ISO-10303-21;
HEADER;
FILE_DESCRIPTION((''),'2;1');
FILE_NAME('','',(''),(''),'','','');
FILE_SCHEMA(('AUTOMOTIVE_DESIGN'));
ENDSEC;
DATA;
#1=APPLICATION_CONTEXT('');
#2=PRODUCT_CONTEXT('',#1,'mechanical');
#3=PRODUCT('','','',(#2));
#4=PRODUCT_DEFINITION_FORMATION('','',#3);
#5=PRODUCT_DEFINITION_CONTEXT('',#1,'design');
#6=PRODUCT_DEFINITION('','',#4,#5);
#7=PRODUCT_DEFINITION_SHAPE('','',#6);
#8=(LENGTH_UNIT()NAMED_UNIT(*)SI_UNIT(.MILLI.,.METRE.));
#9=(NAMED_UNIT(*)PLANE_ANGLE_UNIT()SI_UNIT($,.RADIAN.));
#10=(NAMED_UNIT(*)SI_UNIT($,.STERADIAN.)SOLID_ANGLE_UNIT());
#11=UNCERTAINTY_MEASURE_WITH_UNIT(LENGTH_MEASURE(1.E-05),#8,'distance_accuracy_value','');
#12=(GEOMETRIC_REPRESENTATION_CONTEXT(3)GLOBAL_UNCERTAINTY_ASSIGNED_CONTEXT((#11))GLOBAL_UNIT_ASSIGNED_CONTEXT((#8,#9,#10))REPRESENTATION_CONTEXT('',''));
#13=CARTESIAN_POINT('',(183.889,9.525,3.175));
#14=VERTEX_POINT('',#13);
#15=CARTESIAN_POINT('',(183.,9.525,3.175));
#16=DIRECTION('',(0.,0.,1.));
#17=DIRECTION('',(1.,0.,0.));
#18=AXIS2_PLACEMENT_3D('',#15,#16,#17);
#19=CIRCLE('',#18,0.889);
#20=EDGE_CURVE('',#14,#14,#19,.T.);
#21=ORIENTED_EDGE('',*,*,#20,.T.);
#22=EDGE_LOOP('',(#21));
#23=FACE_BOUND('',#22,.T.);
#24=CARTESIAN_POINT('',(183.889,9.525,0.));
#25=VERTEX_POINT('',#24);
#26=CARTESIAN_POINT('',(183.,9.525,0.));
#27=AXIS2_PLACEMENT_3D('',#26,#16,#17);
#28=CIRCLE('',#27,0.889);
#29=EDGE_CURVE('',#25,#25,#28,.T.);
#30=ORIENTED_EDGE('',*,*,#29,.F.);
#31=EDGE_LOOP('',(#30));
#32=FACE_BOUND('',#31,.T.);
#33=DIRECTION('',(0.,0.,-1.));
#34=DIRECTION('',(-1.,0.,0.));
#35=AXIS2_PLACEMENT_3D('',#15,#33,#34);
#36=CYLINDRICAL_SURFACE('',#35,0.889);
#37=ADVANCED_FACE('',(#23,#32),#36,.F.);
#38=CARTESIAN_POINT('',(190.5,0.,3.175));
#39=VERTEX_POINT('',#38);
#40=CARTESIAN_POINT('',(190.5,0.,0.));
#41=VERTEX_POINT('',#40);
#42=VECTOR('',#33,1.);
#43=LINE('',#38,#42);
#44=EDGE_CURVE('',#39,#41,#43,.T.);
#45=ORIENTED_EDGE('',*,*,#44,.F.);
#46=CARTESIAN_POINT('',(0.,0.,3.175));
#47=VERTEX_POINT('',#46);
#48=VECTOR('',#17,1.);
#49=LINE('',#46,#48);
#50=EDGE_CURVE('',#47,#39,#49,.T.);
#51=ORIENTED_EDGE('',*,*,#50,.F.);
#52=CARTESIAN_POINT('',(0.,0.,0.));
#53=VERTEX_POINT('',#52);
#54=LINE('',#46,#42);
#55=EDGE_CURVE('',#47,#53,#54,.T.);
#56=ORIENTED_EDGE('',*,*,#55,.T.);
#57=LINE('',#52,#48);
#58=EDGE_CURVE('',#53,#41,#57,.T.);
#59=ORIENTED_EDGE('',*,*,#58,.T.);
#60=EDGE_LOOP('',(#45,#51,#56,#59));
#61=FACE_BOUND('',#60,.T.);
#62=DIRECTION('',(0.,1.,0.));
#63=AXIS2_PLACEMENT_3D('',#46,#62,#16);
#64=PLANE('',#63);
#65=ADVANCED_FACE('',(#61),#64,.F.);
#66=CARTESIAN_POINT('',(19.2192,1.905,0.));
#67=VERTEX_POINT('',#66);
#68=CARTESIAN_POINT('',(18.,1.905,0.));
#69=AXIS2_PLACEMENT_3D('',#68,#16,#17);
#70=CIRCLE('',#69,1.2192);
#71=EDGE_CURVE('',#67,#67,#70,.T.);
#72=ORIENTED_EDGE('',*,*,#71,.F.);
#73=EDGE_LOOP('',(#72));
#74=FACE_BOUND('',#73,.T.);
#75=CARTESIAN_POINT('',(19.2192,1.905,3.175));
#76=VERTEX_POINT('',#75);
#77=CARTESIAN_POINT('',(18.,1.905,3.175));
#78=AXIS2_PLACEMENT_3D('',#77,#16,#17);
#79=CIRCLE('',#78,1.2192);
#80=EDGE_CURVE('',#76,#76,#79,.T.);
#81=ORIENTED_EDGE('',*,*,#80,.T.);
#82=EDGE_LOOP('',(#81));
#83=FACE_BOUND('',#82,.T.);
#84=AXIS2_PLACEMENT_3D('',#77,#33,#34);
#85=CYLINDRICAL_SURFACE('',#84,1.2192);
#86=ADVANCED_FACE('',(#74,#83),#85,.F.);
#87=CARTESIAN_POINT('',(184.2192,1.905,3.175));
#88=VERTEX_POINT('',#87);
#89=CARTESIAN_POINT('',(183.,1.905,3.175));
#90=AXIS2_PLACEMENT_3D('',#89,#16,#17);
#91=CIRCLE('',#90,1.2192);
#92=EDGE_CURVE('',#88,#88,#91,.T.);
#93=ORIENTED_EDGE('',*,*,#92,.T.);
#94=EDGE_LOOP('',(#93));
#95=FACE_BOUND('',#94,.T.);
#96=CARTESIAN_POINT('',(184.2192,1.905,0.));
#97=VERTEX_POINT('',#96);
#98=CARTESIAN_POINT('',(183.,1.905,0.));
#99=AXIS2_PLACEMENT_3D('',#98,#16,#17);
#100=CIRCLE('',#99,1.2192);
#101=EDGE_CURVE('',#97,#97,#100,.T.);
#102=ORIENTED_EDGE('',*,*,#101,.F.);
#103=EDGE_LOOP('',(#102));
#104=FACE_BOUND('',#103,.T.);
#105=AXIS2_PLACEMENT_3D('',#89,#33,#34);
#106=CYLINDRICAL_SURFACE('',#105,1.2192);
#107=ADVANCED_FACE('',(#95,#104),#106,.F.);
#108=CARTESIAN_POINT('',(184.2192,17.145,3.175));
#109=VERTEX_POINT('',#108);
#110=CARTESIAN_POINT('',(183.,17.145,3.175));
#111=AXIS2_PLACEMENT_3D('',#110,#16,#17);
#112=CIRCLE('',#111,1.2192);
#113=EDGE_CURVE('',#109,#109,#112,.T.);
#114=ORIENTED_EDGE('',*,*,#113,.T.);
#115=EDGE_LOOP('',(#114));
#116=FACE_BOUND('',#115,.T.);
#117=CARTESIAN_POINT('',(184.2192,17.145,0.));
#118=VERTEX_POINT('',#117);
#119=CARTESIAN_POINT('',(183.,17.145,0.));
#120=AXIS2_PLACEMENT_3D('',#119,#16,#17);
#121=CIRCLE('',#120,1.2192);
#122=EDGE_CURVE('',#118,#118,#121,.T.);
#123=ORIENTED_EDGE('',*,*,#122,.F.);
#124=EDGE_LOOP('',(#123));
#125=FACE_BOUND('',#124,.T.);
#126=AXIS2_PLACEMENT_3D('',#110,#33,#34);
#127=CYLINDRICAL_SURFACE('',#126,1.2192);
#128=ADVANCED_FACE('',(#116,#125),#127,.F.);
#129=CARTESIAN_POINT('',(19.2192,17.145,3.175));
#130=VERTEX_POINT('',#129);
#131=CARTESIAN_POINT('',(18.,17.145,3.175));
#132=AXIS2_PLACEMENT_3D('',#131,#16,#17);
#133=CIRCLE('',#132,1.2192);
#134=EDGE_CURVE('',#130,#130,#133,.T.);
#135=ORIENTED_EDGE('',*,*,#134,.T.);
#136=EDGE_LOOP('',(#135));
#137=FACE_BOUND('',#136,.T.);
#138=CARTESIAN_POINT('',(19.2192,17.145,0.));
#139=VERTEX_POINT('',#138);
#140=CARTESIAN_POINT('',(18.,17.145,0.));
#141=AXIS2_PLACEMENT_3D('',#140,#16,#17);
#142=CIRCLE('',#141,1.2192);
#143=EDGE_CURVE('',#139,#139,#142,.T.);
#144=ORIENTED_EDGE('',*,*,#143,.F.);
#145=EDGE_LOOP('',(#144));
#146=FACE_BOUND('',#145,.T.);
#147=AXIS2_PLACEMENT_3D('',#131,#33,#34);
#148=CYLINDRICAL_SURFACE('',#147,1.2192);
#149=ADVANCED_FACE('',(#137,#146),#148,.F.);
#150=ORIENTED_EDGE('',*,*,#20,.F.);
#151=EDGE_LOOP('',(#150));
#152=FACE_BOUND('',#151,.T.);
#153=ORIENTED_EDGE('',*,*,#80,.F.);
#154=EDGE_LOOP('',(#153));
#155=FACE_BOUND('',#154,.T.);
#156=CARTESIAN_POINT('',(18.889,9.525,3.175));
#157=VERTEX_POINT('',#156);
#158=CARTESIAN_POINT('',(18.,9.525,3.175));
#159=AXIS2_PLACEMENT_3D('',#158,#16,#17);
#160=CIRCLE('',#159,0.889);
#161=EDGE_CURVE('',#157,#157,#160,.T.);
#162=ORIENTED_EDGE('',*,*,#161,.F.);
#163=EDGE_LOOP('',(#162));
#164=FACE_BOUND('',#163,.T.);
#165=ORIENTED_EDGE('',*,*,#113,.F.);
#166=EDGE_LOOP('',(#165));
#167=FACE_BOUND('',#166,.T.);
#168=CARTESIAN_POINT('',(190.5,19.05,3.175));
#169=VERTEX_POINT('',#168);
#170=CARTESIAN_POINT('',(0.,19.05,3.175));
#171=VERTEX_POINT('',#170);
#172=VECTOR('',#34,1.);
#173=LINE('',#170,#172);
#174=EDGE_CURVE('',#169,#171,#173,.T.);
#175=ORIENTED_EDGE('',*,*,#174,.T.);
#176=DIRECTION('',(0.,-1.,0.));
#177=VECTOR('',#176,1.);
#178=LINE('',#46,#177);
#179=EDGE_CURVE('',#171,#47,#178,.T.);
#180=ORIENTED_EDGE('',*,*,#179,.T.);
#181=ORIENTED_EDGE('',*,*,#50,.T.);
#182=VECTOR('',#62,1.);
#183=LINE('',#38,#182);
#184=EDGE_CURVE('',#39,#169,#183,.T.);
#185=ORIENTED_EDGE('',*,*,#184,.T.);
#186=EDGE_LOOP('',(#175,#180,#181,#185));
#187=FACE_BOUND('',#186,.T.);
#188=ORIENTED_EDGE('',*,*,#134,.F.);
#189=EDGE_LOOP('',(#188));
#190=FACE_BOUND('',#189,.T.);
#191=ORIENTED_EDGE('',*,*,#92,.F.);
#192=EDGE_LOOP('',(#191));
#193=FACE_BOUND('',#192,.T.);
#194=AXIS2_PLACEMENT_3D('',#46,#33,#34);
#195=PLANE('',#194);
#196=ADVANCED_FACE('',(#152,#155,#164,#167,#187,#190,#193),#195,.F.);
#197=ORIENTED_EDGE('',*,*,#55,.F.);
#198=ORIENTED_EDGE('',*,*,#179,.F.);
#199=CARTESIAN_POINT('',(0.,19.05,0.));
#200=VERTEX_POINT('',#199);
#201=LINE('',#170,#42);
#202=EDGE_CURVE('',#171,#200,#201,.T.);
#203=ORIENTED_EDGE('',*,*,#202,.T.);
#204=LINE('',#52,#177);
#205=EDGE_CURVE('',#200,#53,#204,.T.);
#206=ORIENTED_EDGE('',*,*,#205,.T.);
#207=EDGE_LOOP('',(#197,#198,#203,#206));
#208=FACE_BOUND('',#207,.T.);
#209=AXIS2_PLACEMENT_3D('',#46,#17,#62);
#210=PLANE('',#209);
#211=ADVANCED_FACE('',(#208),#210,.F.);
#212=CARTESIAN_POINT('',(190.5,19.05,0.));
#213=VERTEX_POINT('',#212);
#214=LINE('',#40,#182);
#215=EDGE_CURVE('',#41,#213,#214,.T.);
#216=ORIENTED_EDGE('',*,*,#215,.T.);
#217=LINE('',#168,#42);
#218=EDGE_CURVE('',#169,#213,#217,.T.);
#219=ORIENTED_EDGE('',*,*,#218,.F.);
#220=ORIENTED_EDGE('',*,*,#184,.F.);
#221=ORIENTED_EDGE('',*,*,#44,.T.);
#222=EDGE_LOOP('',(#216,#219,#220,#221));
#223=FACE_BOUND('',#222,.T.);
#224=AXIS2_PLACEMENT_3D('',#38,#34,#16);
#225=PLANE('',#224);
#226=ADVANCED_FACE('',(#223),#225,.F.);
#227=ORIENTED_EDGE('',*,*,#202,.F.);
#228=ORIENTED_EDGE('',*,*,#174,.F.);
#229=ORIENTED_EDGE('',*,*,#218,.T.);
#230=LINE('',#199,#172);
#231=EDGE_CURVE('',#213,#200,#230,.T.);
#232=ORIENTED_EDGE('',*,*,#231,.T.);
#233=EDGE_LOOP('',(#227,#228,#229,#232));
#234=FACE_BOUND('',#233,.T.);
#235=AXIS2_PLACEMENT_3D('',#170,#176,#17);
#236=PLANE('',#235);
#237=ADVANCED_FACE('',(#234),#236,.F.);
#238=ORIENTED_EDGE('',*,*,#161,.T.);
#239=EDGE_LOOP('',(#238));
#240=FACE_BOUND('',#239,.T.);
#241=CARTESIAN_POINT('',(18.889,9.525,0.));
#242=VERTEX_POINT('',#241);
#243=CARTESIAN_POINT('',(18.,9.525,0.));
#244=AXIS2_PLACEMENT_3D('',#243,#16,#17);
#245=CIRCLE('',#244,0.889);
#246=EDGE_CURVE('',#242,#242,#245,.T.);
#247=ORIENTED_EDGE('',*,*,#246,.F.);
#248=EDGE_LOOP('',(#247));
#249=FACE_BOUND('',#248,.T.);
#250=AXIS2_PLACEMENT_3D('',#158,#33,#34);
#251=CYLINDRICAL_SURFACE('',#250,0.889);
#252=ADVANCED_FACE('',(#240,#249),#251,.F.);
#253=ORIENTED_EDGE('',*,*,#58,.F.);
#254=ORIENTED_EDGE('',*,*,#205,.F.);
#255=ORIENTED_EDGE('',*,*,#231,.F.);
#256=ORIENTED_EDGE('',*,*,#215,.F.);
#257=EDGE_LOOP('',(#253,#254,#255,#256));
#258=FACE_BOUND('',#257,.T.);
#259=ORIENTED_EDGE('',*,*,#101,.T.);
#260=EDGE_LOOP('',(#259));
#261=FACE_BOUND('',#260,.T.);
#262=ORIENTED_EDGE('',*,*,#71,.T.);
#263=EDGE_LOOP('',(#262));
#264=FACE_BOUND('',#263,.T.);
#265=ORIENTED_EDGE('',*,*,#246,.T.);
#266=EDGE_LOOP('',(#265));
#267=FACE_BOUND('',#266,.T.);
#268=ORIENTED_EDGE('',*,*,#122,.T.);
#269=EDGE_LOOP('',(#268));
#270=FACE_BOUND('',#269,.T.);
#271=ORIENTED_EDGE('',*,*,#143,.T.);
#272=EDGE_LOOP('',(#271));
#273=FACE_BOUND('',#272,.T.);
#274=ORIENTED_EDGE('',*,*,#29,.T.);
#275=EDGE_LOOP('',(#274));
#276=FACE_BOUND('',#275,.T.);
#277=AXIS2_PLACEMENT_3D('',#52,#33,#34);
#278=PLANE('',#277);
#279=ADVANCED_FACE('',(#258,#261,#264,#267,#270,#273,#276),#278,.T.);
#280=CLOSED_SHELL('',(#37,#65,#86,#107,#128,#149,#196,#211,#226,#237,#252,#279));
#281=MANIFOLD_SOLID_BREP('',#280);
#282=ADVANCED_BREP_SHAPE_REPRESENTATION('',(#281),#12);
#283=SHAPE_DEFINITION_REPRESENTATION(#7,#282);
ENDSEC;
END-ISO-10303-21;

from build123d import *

# Parameters (mm, degrees)
SKETCH1_W           = 190.5
SKETCH1_H           = 19.05
SKETCH1_R           = 1.2192
SKETCH1_R_2         = 0.889
BOSS_EXTRUDE1_DEPTH = 3.175


with BuildPart() as part:
    # Sketch1 → Boss-Extrude1 (new body)
    with BuildSketch(Plane.XY):
        with Locations((95.25, 9.525)):
            Rectangle(SKETCH1_W, SKETCH1_H)
        with Locations((18, 17.145)):
            Circle(SKETCH1_R, mode=Mode.SUBTRACT)
        with Locations((18, 1.905)):
            Circle(SKETCH1_R, mode=Mode.SUBTRACT)
        with Locations((183, 17.145)):
            Circle(SKETCH1_R, mode=Mode.SUBTRACT)
        with Locations((183, 1.905)):
            Circle(SKETCH1_R, mode=Mode.SUBTRACT)
        with Locations((183, 9.525)):
            Circle(SKETCH1_R_2, mode=Mode.SUBTRACT)
        with Locations((18, 9.525)):
            Circle(SKETCH1_R_2, mode=Mode.SUBTRACT)
    extrude(amount=BOSS_EXTRUDE1_DEPTH)


solid = part.part
